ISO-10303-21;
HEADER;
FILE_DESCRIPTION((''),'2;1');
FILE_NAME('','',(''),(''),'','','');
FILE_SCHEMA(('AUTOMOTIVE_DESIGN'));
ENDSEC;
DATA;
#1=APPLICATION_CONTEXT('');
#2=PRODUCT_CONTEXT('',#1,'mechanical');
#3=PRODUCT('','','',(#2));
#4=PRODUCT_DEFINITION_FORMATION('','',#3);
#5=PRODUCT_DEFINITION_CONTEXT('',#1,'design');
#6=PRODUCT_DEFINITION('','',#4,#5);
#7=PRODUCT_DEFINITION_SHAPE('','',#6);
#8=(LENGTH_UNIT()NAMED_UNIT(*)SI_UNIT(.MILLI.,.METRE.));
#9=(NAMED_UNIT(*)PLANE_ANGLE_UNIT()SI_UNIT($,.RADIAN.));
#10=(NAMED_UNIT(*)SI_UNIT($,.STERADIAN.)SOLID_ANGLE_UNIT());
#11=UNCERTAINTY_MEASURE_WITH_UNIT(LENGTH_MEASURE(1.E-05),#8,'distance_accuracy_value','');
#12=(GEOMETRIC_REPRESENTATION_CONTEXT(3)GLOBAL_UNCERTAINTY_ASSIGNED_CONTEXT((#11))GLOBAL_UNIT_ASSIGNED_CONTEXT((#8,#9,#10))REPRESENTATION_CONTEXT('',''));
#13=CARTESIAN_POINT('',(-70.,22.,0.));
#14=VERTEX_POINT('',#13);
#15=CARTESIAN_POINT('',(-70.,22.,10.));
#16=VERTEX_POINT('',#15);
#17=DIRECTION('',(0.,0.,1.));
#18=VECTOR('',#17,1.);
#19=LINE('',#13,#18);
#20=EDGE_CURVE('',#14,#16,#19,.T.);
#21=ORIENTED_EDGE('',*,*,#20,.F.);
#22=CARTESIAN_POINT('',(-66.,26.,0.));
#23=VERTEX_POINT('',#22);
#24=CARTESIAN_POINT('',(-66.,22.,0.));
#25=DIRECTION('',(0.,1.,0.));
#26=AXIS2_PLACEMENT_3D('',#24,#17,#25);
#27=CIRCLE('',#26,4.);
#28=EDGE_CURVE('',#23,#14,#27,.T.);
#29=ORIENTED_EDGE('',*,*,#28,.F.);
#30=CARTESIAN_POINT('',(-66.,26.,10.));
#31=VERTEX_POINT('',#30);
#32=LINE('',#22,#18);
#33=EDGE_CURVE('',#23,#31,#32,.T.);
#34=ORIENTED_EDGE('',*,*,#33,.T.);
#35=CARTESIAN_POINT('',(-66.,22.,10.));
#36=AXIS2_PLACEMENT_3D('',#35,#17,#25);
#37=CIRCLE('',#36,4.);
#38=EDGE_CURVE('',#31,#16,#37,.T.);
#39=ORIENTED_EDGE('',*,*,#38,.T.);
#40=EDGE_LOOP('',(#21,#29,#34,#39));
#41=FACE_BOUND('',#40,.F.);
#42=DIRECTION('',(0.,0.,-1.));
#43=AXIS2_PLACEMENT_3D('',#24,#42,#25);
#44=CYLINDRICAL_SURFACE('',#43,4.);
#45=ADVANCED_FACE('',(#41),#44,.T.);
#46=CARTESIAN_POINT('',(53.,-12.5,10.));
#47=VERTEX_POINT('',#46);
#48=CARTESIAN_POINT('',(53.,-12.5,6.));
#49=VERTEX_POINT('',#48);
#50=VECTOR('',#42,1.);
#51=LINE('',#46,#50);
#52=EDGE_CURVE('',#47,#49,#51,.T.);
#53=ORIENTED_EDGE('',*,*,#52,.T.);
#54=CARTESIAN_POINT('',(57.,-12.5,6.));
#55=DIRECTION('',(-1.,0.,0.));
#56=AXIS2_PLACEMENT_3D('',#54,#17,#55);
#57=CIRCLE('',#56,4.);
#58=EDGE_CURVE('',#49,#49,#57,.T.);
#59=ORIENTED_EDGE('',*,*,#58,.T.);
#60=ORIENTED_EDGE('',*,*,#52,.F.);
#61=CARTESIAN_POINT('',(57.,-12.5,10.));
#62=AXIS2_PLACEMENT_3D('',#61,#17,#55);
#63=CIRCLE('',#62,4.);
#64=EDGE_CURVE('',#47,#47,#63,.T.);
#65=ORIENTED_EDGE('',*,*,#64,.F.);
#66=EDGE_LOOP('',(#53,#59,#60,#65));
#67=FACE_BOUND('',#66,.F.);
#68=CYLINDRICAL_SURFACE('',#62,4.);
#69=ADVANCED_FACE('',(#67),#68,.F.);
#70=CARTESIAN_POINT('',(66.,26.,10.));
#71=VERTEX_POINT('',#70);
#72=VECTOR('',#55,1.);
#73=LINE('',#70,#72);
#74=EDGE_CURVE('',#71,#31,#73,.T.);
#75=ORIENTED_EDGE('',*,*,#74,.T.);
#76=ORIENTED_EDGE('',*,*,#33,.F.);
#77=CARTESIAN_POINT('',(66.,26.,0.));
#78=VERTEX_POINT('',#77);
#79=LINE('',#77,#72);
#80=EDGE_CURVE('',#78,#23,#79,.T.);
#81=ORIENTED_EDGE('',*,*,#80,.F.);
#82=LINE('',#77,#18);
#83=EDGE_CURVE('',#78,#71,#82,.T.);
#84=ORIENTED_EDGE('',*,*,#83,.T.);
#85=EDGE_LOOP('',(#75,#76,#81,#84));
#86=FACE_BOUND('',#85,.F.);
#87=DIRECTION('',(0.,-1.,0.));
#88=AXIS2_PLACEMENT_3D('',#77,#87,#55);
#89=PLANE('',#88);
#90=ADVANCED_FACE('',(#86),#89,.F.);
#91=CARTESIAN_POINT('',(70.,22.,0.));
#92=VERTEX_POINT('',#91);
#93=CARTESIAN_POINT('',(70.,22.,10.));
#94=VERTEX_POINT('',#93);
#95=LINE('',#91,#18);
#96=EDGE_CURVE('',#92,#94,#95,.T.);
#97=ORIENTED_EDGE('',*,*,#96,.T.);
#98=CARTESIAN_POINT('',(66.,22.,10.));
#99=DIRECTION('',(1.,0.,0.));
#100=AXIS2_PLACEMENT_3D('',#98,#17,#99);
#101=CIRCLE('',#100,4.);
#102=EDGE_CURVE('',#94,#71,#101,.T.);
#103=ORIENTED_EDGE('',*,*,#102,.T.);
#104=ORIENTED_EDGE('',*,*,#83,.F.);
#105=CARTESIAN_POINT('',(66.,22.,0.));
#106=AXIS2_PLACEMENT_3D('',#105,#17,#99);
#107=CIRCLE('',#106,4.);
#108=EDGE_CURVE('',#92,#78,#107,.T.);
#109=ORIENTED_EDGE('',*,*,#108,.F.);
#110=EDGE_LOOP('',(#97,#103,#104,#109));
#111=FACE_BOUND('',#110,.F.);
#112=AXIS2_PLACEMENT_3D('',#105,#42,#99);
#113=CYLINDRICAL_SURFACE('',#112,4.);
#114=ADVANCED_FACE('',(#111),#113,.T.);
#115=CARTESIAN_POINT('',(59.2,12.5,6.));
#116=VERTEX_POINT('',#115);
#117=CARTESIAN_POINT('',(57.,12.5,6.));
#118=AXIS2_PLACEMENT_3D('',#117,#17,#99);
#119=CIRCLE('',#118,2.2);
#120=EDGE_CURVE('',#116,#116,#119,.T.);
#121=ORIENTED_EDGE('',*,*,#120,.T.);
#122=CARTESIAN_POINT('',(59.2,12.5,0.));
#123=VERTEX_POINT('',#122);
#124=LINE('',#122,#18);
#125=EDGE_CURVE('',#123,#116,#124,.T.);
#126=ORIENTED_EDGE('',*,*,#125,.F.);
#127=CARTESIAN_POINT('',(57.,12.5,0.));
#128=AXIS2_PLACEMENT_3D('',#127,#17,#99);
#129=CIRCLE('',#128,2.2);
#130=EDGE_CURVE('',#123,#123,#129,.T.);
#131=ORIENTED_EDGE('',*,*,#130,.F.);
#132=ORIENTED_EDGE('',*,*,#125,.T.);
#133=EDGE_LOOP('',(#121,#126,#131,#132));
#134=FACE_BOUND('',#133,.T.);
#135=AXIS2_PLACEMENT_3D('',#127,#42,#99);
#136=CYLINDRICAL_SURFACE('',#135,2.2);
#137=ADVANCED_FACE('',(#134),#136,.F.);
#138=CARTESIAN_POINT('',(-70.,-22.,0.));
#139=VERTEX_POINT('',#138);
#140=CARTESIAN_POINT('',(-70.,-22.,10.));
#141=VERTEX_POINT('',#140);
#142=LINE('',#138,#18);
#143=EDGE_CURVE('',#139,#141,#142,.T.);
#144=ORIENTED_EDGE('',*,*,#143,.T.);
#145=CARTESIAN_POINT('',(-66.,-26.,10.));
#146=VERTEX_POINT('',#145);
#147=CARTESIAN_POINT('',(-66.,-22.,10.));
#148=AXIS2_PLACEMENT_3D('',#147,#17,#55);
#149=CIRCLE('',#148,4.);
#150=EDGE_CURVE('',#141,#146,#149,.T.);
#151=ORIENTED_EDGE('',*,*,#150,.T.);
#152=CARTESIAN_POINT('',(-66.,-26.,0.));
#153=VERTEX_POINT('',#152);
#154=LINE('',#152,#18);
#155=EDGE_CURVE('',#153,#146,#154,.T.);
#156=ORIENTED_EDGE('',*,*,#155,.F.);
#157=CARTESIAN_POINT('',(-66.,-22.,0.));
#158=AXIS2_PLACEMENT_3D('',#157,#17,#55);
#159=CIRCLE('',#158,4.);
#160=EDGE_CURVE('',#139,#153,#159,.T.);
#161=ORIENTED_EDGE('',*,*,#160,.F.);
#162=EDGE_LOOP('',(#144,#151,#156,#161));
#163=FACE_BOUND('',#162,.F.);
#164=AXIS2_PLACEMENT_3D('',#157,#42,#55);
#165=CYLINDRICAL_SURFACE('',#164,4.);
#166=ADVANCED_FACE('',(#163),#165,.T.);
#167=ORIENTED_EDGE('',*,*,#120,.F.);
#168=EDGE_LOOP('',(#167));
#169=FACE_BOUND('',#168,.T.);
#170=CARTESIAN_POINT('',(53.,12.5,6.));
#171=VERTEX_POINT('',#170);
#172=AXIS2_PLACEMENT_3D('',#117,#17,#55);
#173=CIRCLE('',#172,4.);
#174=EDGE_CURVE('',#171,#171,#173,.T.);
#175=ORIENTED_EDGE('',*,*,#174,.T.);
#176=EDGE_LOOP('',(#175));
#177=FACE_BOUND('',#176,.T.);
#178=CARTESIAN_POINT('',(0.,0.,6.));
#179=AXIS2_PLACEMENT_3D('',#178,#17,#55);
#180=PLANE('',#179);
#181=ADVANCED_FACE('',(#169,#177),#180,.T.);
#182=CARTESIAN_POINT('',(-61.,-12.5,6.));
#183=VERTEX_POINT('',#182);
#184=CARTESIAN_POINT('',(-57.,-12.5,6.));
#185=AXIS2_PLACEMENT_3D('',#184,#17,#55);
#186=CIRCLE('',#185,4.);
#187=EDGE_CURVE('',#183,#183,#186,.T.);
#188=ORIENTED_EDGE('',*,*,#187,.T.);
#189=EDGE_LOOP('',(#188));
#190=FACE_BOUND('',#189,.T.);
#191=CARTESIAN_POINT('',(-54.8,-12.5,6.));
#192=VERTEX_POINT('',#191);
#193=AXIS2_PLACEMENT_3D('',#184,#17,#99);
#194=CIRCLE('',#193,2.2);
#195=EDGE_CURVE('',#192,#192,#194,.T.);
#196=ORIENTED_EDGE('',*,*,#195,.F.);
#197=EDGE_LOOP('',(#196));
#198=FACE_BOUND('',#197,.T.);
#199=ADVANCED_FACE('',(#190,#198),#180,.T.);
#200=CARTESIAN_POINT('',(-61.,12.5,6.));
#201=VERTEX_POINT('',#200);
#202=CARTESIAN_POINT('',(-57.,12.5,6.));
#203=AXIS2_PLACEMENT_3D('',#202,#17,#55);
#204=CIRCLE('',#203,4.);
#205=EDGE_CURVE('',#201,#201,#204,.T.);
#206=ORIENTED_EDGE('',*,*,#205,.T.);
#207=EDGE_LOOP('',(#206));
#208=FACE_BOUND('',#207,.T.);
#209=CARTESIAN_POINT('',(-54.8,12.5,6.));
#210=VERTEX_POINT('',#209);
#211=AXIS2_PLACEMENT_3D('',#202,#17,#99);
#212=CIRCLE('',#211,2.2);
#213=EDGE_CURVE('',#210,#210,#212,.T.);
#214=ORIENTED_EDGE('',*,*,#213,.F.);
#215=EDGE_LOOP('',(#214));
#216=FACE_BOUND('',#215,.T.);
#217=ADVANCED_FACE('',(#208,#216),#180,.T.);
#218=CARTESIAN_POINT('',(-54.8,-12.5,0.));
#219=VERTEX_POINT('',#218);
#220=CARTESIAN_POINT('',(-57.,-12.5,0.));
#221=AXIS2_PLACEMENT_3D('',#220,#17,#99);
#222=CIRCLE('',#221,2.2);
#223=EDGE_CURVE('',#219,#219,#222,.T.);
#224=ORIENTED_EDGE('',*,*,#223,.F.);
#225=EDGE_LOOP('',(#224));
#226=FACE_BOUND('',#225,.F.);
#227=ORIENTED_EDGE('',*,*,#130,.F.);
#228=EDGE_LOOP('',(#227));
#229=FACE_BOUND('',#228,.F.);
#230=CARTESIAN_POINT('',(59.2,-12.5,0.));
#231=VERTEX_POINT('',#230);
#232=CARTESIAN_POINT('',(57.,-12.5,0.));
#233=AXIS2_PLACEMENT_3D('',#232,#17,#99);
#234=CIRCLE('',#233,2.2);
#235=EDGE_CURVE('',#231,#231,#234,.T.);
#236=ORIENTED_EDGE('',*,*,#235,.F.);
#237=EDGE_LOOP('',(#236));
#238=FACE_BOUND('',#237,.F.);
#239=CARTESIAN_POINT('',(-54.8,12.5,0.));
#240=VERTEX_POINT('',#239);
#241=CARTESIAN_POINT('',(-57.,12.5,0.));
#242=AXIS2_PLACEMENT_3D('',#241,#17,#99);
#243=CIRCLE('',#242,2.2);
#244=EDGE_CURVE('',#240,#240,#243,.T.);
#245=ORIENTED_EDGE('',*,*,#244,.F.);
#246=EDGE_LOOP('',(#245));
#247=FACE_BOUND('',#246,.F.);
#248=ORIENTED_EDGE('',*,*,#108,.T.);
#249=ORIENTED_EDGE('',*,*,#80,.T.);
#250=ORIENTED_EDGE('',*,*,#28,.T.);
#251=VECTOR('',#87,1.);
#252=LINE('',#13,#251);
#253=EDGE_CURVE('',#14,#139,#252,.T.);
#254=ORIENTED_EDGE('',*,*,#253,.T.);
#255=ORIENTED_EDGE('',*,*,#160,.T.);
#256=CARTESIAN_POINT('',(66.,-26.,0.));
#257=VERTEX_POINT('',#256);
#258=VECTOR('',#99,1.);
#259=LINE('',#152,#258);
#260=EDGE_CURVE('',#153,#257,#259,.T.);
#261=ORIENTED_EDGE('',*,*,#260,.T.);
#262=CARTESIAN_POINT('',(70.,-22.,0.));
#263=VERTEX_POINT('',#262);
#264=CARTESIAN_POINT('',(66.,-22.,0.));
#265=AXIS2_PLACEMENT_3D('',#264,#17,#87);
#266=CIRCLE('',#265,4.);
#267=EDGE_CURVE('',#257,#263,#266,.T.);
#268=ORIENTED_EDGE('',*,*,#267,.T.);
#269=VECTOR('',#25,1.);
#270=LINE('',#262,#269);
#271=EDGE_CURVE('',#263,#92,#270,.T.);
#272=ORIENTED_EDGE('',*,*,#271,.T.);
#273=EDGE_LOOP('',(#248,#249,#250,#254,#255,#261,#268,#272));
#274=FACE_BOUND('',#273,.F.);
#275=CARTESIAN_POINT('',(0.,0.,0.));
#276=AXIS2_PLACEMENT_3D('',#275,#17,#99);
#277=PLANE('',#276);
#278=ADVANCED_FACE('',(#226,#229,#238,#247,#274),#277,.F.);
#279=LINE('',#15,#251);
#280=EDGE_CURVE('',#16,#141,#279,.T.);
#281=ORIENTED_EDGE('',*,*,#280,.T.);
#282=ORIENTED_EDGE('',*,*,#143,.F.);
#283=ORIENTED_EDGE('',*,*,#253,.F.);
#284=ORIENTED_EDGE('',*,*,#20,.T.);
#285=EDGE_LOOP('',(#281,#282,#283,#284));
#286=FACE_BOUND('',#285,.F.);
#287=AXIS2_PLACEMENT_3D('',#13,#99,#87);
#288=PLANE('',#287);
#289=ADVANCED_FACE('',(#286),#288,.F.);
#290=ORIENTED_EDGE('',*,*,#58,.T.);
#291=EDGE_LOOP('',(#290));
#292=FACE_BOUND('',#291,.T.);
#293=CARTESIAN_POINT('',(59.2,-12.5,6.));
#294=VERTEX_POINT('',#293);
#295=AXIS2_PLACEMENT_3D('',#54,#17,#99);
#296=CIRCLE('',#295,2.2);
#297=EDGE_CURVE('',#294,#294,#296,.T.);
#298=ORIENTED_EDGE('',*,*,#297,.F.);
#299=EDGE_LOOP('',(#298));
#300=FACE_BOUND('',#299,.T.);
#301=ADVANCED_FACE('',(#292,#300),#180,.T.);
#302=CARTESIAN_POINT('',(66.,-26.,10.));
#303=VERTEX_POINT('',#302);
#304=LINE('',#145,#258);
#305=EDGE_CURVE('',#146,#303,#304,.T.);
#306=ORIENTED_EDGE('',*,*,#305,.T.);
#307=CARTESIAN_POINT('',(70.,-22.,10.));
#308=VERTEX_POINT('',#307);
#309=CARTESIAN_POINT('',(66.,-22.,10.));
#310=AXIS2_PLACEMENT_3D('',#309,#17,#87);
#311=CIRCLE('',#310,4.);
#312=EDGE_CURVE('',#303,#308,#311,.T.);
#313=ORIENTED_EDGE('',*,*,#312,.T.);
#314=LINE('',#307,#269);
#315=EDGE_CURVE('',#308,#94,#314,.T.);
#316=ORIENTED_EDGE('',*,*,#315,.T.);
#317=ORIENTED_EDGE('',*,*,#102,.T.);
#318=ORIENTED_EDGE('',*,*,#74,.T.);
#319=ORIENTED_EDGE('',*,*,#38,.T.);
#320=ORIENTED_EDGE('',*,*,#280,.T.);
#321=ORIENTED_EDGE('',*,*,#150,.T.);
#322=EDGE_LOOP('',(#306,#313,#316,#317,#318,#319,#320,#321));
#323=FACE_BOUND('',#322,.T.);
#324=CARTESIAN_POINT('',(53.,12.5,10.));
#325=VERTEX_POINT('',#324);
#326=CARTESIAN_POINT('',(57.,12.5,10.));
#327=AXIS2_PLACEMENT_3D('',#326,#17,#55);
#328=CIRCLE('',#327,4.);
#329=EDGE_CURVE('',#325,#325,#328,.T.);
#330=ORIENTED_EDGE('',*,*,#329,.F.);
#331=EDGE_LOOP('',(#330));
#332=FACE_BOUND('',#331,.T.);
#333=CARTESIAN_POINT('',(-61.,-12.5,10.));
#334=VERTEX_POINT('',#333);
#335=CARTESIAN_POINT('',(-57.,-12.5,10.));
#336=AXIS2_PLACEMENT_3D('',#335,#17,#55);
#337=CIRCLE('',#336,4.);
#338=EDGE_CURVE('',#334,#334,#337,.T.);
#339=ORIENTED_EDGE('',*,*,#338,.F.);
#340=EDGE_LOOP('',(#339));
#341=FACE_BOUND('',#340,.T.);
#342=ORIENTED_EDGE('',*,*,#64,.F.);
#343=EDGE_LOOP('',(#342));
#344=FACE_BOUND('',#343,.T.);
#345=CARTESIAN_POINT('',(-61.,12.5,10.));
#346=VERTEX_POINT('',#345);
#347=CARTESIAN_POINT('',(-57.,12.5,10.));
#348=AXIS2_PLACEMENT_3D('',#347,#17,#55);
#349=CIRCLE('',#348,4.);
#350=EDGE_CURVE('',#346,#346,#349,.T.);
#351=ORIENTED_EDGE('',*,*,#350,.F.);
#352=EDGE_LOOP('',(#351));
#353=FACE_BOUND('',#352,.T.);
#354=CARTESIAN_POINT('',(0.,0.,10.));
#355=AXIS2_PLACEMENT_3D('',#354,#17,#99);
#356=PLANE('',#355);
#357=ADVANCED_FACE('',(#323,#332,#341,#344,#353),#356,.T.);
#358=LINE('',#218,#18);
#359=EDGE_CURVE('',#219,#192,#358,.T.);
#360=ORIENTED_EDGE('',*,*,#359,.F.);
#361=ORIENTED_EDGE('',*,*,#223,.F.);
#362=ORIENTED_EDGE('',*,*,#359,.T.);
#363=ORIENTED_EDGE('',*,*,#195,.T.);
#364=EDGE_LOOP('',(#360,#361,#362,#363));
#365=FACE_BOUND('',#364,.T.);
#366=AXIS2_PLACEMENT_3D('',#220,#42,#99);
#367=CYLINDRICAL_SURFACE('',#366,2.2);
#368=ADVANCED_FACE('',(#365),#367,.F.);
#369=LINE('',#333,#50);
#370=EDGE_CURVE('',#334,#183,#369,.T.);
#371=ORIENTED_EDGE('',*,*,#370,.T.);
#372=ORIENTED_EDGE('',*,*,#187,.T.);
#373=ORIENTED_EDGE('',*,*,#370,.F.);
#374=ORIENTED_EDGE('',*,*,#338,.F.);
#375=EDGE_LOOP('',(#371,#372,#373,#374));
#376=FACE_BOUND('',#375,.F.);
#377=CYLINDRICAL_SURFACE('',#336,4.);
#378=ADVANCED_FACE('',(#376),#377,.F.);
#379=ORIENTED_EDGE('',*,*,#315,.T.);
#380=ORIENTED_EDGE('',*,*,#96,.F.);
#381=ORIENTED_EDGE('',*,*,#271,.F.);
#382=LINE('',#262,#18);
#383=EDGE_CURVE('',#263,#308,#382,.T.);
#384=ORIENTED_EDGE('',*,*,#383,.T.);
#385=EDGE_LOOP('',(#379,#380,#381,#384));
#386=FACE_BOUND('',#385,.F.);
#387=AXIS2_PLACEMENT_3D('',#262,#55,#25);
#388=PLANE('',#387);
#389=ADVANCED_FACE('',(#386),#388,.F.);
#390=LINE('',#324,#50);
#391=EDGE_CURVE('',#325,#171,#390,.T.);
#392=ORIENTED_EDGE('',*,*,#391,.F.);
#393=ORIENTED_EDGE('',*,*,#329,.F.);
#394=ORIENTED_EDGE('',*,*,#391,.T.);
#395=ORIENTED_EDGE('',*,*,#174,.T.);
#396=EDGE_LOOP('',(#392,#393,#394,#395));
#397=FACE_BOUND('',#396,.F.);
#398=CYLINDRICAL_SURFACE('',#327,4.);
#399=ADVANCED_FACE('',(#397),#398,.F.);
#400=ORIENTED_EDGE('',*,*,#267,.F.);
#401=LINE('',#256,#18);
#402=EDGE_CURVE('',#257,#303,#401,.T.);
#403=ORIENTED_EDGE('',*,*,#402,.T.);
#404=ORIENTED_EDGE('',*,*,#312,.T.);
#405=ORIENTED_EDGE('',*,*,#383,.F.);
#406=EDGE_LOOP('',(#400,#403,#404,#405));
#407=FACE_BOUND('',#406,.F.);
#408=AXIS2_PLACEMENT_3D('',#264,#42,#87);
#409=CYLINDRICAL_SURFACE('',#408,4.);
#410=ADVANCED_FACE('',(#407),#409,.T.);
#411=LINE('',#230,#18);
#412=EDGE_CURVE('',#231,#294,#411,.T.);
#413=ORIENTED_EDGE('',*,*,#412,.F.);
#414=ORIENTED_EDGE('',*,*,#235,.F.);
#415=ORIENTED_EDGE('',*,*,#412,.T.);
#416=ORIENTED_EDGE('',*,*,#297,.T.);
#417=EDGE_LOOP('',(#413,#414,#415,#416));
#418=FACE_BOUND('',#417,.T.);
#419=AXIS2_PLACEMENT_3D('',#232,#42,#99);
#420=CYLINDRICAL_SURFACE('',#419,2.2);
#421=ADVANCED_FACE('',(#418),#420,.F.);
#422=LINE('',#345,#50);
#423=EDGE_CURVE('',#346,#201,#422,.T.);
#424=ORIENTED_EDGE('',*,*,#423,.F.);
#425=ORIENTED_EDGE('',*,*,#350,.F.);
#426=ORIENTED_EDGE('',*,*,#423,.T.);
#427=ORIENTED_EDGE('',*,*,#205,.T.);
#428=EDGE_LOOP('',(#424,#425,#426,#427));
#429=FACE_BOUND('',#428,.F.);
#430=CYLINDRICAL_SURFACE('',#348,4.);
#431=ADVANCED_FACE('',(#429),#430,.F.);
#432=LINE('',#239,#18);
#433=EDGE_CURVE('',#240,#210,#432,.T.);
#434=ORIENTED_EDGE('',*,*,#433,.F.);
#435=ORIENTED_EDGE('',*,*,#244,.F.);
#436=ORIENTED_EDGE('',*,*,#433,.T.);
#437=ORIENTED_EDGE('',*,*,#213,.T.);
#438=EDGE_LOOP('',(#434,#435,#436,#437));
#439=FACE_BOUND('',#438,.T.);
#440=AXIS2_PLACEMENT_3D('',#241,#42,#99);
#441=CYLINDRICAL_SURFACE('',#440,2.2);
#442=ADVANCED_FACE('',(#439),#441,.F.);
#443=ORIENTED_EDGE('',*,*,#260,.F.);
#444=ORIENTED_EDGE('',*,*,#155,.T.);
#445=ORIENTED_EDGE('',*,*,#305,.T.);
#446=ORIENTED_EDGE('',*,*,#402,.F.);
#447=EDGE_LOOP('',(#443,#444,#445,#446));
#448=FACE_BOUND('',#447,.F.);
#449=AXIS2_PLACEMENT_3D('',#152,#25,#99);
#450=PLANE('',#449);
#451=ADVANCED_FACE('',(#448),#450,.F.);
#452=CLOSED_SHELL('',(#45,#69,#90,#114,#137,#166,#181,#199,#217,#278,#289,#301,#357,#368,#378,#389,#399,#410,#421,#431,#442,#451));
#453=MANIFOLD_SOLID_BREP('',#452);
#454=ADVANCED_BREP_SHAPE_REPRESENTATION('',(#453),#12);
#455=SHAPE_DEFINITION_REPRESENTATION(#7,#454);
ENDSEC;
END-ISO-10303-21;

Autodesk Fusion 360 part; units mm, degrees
sketch "Sketch1" plane through (0, 0, 0) normal (0, 0, 1) x (1, 0, 0)
  line L0 (66, 26) -> (-66, 26)
  line L1 (-70, 22) -> (-70, -22)
  line L2 (-66, -26) -> (66, -26)
  line L3 (70, -22) -> (70, 22)
  line L4 (70, 26) -> (-70, -26) construction
  line L5 (-70, 26) -> (70, -26) construction
  arc A0 (-70, -22) -> (-66, -26) centre (-66, -22) ccw
  arc A1 (-66, 26) -> (-70, 22) centre (-66, 22) ccw
  arc A2 (70, 22) -> (66, 26) centre (66, 22) ccw
  arc A3 (66, -26) -> (70, -22) centre (66, -22) ccw
  line L6 (-70, 26) -> (-57, 26) construction
  line L7 (-57, 26) -> (-57, 12.5) construction
  line L8 (-57, 12.5) -> (-70, 12.5) construction
  line L9 (-70, 12.5) -> (-70, 26) construction
  line L10 (70, 26) -> (57, 26) construction
  line L11 (57, 26) -> (57, 12.5) construction
  line L12 (57, 12.5) -> (70, 12.5) construction
  line L13 (70, 12.5) -> (70, 26) construction
  line L14 (-70, -26) -> (-57, -26) construction
  line L15 (-57, -26) -> (-57, -12.5) construction
  line L16 (-57, -12.5) -> (-70, -12.5) construction
  line L17 (-70, -12.5) -> (-70, -26) construction
  line L18 (70, -26) -> (57, -26) construction
  line L19 (57, -26) -> (57, -12.5) construction
  line L20 (57, -12.5) -> (70, -12.5) construction
  line L21 (70, -12.5) -> (70, -26) construction
  circle A4 centre (-57, 12.5) radius 2.2
  circle A5 centre (57, 12.5) radius 2.2
  circle A6 centre (-57, -12.5) radius 2.2
  circle A7 centre (57, -12.5) radius 2.2
  dimension "d1" = 140
  dimension "d2" = 52
  dimension "d3" = 4
  dimension "d4" = 13
  dimension "d5" = 13.5
  dimension "d6" = 13
  dimension "d7" = 13.5
  dimension "d8" = 13
  dimension "d9" = 13.5
  dimension "d10" = 13
  dimension "d11" = 13.5
  dimension "d12" = 4.4
  dimension "d13" = 4.4
  dimension "d14" = 4.4
  dimension "d15" = 4.4
extrude "Extrude1" add sketch "Sketch1" along normal blind 10
sketch "Sketch2" plane through (0, 0, 10) normal (0, 0, 1) x (-1, 0, 0)
  circle A0 centre (57, -12.5) radius 2.2
  circle A1 centre (-57, 12.5) radius 2.2
  circle A2 centre (57, 12.5) radius 2.2
  circle A3 centre (-57, -12.5) radius 2.2
  arc A4 (-66, 26) -> (-70, 22) centre (-66, 22) ccw
  line L0 (-70, 22) -> (-70, -22)
  arc A5 (-70, -22) -> (-66, -26) centre (-66, -22) ccw
  line L1 (-66, -26) -> (66, -26)
  arc A6 (66, -26) -> (70, -22) centre (66, -22) ccw
  line L2 (70, -22) -> (70, 22)
  arc A7 (70, 22) -> (66, 26) centre (66, 22) ccw
  line L3 (66, 26) -> (-66, 26)
  circle A8 centre (57, -12.5) radius 4
  circle A9 centre (57, 12.5) radius 4
  circle A10 centre (-57, -12.5) radius 4
  circle A11 centre (-57, 12.5) radius 4
  dimension "d18" = 8
  dimension "d19" = 8
  dimension "d20" = 8
  dimension "d21" = 8
extrude "Extrude2" cut sketch "Sketch2" against normal blind 4 contours A8 | A9 | A10 | A11
